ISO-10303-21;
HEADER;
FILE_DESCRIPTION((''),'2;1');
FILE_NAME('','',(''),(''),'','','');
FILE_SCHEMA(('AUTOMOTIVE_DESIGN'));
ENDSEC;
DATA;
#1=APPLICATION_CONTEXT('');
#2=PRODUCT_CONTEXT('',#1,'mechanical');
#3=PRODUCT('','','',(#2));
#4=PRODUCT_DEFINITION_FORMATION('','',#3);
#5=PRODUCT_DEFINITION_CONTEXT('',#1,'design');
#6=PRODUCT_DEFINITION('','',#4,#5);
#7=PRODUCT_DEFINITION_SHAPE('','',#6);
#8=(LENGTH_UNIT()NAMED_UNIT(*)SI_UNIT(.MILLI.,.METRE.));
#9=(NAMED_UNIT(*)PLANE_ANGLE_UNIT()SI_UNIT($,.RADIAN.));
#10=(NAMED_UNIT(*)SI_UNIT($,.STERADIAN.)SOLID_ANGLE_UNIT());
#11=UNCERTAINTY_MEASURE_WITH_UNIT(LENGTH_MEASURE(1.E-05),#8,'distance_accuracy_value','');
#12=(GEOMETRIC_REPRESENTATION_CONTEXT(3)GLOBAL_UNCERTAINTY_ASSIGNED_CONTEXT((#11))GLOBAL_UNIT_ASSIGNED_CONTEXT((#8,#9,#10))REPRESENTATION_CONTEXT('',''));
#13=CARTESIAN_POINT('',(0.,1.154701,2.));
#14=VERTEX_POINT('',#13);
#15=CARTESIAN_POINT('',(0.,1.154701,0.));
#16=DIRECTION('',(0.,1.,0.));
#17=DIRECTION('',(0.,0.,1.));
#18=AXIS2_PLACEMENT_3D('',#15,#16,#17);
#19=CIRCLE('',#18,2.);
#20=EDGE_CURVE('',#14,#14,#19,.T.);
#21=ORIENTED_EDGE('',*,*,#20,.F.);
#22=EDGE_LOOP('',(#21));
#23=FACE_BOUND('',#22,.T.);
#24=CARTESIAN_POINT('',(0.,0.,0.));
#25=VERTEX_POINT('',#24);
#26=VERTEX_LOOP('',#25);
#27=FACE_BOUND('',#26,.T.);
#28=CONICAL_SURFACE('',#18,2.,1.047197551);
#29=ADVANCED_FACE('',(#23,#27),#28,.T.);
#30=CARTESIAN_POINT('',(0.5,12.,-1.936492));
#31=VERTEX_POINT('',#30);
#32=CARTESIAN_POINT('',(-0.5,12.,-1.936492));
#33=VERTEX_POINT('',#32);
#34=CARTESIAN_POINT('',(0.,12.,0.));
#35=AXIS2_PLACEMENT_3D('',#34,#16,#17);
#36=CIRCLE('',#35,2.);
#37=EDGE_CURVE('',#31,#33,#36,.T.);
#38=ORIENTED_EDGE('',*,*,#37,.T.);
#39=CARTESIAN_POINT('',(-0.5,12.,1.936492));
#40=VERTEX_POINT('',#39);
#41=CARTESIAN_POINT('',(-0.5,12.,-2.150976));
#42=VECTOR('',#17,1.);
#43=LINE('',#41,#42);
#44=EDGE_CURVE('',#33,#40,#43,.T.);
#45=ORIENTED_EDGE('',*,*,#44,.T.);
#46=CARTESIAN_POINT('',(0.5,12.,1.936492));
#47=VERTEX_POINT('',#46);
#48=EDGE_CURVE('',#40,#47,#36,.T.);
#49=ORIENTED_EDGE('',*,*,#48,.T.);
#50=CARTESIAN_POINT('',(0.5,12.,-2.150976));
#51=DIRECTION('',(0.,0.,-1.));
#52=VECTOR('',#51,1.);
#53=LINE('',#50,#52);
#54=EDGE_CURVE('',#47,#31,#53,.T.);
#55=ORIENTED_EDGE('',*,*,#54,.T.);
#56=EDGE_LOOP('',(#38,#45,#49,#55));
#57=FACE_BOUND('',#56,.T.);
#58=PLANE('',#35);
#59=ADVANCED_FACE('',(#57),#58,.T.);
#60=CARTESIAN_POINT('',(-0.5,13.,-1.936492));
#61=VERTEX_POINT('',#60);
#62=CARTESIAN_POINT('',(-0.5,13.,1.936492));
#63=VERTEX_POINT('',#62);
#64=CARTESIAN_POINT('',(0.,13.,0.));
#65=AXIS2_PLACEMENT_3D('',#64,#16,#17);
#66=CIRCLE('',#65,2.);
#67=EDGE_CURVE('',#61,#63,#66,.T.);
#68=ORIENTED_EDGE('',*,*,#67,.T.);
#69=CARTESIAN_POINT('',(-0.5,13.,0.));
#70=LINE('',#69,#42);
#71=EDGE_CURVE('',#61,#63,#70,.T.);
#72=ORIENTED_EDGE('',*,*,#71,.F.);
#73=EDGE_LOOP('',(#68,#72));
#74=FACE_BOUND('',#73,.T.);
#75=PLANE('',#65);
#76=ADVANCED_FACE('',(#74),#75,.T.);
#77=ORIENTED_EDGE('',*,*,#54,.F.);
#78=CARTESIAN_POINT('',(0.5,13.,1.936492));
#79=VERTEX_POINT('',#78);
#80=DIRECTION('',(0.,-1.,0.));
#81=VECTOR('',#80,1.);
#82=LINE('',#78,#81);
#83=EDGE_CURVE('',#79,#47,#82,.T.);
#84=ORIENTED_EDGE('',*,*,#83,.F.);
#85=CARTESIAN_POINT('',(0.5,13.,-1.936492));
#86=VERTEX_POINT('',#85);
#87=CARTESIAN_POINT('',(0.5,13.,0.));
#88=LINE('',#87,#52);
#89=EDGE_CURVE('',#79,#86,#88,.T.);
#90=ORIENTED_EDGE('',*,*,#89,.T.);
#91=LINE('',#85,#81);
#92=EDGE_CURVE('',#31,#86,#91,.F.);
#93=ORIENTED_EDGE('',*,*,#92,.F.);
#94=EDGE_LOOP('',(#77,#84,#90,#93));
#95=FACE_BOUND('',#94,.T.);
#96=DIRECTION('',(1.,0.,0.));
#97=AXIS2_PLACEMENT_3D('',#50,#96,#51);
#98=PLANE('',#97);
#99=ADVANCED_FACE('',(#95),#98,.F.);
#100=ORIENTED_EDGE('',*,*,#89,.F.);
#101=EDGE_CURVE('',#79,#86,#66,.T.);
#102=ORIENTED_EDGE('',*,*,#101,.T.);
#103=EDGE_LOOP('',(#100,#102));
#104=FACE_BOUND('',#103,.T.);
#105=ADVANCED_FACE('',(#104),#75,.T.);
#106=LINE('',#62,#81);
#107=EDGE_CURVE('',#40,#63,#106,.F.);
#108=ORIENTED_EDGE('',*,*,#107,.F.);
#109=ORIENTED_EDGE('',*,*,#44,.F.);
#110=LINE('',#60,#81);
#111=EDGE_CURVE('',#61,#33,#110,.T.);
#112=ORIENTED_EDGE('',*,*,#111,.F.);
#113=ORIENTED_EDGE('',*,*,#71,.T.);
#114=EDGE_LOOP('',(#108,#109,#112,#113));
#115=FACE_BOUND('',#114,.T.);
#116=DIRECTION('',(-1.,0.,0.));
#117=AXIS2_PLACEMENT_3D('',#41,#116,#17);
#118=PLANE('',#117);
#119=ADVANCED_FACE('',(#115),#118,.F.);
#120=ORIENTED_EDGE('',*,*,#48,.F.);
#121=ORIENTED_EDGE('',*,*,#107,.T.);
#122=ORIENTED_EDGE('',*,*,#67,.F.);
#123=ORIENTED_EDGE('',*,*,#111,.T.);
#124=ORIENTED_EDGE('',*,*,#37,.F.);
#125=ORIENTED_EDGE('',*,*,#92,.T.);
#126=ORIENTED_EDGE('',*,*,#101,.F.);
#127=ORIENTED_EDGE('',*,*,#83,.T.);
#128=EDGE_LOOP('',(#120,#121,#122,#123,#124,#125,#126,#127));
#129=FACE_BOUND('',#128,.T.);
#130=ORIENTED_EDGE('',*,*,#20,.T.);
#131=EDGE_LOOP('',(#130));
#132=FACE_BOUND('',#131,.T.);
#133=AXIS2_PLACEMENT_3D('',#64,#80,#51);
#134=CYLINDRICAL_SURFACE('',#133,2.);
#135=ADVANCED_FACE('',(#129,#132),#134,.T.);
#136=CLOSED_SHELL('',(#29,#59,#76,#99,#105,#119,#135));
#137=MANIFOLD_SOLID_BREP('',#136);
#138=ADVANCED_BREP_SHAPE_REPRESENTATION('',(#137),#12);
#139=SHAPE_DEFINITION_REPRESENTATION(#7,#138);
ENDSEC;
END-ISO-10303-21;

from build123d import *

# Parameters (mm, degrees)
SKETCH1_R           = 2
BOSS_EXTRUDE1_DEPTH = 13
CHAMFER1_SIZE       = 2
CHAMFER1_SIZE2      = 1.154700538
SKETCH2_W           = 1
SKETCH2_H           = 4.464568748
CUT_EXTRUDE1_DEPTH  = 1


with BuildPart() as part:
    # Sketch1 → Boss-Extrude1 (new body)
    with BuildSketch(Plane(origin=(0, 0, 0), x_dir=(1, 0, 0), z_dir=(0, 1, 0))):
        with Locations(Location((0, 0, 0), (0, 0, 90))):
            Circle(SKETCH1_R)
    extrude(amount=BOSS_EXTRUDE1_DEPTH)

    # Chamfer1
    chamfer1_edges = [part.edges().sort_by_distance(p)[0] for p in [
        (0, 0, 2),
    ]]
    chamfer1_side = [part.faces().sort_by_distance(p)[0] for p in [
        (0, 0, 0),
    ]]
    chamfer(chamfer1_edges, length=CHAMFER1_SIZE, length2=CHAMFER1_SIZE2, reference=chamfer1_side[0])

    # Sketch2 → Cut-Extrude1 (cut)
    with BuildSketch(Plane(origin=(0, 13, 0), x_dir=(1, 0, 0), z_dir=(0, 1, 0))):
        with Locations((0, -0.081308371)):
            Rectangle(SKETCH2_W, SKETCH2_H)
    extrude(amount=-CUT_EXTRUDE1_DEPTH, mode=Mode.SUBTRACT)


solid = part.part
